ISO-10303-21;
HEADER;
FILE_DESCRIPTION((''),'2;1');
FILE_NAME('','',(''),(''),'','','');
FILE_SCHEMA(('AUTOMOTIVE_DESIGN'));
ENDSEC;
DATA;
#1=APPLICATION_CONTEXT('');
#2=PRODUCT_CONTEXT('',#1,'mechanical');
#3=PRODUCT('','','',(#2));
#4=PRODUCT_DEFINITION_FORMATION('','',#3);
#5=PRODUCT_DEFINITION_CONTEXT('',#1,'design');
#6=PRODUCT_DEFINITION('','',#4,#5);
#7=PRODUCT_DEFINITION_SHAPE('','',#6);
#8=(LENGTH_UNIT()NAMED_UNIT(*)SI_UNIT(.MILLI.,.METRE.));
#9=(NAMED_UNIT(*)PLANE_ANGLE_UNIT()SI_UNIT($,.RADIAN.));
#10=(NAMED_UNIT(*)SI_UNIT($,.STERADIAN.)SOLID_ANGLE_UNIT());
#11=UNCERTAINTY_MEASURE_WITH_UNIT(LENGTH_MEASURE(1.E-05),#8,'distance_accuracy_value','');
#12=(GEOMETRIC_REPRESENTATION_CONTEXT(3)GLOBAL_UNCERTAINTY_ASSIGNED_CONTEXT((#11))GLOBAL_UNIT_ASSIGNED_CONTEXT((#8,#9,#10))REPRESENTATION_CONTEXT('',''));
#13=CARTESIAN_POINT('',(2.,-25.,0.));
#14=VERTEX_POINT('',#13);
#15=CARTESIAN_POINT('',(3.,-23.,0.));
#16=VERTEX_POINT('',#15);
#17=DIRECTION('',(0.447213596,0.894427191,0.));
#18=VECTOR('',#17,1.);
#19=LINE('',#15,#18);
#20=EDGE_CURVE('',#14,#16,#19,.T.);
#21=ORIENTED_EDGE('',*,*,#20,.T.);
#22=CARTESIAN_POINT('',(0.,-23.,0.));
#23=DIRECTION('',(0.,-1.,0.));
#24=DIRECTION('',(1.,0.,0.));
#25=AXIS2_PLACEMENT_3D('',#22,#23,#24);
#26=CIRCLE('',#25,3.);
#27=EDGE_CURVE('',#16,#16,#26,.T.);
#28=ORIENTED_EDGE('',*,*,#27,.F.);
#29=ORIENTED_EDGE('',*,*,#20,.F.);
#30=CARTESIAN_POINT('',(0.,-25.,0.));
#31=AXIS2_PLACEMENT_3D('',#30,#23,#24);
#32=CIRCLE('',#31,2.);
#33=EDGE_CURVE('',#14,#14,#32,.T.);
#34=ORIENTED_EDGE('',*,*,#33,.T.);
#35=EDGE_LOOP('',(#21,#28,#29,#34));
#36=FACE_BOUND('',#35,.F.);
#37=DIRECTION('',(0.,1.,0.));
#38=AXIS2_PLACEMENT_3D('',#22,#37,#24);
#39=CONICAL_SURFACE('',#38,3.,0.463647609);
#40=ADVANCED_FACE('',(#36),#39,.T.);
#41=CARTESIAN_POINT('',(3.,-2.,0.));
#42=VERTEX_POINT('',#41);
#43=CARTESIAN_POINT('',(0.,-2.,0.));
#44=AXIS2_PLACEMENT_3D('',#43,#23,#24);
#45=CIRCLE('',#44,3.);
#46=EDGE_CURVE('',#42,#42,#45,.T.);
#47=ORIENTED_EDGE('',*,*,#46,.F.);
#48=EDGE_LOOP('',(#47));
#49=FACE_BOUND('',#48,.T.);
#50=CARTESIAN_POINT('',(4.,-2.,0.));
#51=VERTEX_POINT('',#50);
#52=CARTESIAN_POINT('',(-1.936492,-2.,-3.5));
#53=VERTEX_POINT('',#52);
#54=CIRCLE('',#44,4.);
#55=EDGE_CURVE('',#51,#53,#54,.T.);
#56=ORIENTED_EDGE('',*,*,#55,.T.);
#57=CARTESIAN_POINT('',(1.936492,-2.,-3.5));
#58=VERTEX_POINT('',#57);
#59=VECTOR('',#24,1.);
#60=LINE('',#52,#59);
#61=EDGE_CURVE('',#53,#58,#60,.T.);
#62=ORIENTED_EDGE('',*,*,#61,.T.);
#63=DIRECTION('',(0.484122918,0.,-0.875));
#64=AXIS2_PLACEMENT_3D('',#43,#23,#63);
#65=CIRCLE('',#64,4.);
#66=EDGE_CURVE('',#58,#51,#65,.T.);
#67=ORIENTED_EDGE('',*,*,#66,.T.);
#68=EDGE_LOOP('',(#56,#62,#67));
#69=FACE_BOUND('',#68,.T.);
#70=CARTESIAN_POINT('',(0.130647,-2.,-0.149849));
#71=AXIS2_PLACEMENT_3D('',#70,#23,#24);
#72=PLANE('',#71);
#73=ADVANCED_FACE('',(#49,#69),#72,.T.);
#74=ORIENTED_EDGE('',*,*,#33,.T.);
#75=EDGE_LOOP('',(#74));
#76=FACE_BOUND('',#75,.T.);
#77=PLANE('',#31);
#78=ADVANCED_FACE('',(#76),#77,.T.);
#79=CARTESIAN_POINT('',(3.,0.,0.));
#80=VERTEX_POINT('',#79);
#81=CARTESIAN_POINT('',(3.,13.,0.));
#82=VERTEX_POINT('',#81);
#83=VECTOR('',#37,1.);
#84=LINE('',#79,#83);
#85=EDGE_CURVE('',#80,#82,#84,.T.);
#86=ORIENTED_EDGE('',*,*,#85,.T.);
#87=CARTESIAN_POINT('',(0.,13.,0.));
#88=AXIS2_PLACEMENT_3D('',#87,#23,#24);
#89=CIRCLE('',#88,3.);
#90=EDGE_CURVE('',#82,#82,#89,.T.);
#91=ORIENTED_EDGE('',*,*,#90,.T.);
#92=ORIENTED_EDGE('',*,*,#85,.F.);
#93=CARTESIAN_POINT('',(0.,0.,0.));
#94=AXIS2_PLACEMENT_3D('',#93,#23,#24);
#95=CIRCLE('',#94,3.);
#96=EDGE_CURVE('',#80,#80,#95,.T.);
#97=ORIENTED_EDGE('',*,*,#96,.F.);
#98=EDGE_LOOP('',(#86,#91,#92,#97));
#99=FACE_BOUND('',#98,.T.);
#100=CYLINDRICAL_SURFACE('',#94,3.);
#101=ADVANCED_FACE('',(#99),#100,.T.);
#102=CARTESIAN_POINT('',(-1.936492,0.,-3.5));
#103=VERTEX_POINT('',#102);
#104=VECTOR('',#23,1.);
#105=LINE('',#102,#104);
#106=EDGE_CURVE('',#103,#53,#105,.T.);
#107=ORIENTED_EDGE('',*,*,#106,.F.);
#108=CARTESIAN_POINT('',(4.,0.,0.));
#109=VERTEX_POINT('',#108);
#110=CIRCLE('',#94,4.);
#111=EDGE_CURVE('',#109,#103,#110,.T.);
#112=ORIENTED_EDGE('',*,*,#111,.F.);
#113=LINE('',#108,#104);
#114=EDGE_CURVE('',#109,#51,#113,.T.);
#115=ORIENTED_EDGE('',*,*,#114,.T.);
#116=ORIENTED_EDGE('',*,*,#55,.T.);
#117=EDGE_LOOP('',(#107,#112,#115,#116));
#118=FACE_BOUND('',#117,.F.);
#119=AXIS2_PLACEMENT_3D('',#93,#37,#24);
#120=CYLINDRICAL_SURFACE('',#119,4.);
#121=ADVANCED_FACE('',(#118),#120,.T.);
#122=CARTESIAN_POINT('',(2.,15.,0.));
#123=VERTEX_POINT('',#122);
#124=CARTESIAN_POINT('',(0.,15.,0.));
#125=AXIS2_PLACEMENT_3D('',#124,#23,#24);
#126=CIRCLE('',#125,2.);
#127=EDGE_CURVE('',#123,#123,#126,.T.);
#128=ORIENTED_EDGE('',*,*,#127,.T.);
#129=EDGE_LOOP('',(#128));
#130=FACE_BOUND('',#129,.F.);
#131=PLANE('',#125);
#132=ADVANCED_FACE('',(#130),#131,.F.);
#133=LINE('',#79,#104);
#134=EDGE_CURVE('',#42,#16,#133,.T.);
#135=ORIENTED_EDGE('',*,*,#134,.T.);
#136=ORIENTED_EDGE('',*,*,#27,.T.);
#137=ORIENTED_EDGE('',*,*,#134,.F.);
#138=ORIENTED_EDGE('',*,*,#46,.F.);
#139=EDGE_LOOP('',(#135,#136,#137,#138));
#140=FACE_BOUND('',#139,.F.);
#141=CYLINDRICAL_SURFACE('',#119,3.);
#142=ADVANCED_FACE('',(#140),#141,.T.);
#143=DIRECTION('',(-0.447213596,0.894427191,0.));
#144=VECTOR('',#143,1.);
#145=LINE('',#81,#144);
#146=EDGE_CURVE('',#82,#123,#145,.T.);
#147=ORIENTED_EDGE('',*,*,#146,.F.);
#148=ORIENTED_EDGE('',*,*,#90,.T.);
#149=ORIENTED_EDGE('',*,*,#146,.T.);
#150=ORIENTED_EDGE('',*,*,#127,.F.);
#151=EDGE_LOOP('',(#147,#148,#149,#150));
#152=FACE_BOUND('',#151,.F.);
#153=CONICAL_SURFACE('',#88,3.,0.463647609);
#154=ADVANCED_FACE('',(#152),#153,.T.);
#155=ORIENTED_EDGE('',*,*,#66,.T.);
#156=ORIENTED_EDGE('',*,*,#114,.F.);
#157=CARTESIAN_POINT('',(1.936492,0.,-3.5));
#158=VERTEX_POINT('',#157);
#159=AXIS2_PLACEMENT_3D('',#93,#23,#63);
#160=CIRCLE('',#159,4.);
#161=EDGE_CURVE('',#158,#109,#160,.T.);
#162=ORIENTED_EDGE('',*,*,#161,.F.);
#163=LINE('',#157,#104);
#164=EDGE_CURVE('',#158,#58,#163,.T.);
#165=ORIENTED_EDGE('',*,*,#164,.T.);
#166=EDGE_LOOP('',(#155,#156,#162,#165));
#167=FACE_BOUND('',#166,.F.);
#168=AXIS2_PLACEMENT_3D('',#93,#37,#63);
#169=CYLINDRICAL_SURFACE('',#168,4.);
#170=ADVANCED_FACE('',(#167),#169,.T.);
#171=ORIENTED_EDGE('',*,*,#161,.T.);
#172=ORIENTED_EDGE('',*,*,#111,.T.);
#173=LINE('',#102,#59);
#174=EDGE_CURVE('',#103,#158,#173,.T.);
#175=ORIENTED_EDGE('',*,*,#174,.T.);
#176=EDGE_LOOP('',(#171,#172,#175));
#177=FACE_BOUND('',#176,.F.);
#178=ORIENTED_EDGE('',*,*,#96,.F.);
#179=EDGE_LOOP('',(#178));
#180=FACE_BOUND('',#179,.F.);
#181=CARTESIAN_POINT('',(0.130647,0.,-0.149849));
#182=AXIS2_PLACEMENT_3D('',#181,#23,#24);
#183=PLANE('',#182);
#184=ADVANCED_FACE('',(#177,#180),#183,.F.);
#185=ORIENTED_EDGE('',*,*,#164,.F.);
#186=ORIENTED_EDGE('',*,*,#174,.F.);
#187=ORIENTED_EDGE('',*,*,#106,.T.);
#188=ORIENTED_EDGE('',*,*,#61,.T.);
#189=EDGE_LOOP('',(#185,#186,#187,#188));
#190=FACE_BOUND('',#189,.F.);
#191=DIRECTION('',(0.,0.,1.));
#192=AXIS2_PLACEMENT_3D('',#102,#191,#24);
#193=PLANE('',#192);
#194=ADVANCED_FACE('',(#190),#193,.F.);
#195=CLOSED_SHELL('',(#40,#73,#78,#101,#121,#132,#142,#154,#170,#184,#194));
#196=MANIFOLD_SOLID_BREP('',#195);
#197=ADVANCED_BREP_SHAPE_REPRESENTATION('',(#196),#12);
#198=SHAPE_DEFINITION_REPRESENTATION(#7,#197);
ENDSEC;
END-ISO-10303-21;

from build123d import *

# Parameters (mm, degrees)
F0_R     = 3
F1_DEPTH = 25
F2_DEPTH = 2
F3_DEPTH = 15
F4_SIZE2 = 1
F4_SIZE  = 2
F5_SIZE2 = 2
F5_SIZE  = 1


with BuildPart() as f1:
    # F0 (on Front) → F1 (new body)
    with BuildSketch(Plane.XZ):
        Circle(F0_R)
    extrude(amount=F1_DEPTH)

    # F0 (on Front) → F2 (join)
    with BuildSketch(Plane.XZ):
        with BuildLine():
            ThreePointArc((1.9364916731, -3.5), (3.4457195687, -2.0315060063), (4, 0))
            ThreePointArc((4, 0), (-2.0315060063, 3.4457195687), (-1.9364916731, -3.5))
            Line((-1.9364916731, -3.5), (1.9364916731, -3.5))
        make_face()
        Circle(F0_R, mode=Mode.SUBTRACT)
    extrude(amount=F2_DEPTH)

    # F0 (on Front) → F3 (join)
    with BuildSketch(Plane.XZ):
        Circle(F0_R)
    extrude(amount=-F3_DEPTH)

    # F4
    f4_edges = [f1.edges().sort_by_distance(p)[0] for p in [
        (-3, 15, 0),
    ]]
    f4_side = f1.faces().sort_by_distance((-3, 7.5, 0))[0]
    chamfer(f4_edges, length=F4_SIZE, length2=F4_SIZE2, reference=f4_side)

    # F5
    f5_edges = [f1.edges().sort_by_distance(p)[0] for p in [
        (-3, -25, 0),
    ]]
    f5_side = f1.faces().sort_by_distance((0, -25, 0))[0]
    chamfer(f5_edges, length=F5_SIZE, length2=F5_SIZE2, reference=f5_side)


solid = f1.part
